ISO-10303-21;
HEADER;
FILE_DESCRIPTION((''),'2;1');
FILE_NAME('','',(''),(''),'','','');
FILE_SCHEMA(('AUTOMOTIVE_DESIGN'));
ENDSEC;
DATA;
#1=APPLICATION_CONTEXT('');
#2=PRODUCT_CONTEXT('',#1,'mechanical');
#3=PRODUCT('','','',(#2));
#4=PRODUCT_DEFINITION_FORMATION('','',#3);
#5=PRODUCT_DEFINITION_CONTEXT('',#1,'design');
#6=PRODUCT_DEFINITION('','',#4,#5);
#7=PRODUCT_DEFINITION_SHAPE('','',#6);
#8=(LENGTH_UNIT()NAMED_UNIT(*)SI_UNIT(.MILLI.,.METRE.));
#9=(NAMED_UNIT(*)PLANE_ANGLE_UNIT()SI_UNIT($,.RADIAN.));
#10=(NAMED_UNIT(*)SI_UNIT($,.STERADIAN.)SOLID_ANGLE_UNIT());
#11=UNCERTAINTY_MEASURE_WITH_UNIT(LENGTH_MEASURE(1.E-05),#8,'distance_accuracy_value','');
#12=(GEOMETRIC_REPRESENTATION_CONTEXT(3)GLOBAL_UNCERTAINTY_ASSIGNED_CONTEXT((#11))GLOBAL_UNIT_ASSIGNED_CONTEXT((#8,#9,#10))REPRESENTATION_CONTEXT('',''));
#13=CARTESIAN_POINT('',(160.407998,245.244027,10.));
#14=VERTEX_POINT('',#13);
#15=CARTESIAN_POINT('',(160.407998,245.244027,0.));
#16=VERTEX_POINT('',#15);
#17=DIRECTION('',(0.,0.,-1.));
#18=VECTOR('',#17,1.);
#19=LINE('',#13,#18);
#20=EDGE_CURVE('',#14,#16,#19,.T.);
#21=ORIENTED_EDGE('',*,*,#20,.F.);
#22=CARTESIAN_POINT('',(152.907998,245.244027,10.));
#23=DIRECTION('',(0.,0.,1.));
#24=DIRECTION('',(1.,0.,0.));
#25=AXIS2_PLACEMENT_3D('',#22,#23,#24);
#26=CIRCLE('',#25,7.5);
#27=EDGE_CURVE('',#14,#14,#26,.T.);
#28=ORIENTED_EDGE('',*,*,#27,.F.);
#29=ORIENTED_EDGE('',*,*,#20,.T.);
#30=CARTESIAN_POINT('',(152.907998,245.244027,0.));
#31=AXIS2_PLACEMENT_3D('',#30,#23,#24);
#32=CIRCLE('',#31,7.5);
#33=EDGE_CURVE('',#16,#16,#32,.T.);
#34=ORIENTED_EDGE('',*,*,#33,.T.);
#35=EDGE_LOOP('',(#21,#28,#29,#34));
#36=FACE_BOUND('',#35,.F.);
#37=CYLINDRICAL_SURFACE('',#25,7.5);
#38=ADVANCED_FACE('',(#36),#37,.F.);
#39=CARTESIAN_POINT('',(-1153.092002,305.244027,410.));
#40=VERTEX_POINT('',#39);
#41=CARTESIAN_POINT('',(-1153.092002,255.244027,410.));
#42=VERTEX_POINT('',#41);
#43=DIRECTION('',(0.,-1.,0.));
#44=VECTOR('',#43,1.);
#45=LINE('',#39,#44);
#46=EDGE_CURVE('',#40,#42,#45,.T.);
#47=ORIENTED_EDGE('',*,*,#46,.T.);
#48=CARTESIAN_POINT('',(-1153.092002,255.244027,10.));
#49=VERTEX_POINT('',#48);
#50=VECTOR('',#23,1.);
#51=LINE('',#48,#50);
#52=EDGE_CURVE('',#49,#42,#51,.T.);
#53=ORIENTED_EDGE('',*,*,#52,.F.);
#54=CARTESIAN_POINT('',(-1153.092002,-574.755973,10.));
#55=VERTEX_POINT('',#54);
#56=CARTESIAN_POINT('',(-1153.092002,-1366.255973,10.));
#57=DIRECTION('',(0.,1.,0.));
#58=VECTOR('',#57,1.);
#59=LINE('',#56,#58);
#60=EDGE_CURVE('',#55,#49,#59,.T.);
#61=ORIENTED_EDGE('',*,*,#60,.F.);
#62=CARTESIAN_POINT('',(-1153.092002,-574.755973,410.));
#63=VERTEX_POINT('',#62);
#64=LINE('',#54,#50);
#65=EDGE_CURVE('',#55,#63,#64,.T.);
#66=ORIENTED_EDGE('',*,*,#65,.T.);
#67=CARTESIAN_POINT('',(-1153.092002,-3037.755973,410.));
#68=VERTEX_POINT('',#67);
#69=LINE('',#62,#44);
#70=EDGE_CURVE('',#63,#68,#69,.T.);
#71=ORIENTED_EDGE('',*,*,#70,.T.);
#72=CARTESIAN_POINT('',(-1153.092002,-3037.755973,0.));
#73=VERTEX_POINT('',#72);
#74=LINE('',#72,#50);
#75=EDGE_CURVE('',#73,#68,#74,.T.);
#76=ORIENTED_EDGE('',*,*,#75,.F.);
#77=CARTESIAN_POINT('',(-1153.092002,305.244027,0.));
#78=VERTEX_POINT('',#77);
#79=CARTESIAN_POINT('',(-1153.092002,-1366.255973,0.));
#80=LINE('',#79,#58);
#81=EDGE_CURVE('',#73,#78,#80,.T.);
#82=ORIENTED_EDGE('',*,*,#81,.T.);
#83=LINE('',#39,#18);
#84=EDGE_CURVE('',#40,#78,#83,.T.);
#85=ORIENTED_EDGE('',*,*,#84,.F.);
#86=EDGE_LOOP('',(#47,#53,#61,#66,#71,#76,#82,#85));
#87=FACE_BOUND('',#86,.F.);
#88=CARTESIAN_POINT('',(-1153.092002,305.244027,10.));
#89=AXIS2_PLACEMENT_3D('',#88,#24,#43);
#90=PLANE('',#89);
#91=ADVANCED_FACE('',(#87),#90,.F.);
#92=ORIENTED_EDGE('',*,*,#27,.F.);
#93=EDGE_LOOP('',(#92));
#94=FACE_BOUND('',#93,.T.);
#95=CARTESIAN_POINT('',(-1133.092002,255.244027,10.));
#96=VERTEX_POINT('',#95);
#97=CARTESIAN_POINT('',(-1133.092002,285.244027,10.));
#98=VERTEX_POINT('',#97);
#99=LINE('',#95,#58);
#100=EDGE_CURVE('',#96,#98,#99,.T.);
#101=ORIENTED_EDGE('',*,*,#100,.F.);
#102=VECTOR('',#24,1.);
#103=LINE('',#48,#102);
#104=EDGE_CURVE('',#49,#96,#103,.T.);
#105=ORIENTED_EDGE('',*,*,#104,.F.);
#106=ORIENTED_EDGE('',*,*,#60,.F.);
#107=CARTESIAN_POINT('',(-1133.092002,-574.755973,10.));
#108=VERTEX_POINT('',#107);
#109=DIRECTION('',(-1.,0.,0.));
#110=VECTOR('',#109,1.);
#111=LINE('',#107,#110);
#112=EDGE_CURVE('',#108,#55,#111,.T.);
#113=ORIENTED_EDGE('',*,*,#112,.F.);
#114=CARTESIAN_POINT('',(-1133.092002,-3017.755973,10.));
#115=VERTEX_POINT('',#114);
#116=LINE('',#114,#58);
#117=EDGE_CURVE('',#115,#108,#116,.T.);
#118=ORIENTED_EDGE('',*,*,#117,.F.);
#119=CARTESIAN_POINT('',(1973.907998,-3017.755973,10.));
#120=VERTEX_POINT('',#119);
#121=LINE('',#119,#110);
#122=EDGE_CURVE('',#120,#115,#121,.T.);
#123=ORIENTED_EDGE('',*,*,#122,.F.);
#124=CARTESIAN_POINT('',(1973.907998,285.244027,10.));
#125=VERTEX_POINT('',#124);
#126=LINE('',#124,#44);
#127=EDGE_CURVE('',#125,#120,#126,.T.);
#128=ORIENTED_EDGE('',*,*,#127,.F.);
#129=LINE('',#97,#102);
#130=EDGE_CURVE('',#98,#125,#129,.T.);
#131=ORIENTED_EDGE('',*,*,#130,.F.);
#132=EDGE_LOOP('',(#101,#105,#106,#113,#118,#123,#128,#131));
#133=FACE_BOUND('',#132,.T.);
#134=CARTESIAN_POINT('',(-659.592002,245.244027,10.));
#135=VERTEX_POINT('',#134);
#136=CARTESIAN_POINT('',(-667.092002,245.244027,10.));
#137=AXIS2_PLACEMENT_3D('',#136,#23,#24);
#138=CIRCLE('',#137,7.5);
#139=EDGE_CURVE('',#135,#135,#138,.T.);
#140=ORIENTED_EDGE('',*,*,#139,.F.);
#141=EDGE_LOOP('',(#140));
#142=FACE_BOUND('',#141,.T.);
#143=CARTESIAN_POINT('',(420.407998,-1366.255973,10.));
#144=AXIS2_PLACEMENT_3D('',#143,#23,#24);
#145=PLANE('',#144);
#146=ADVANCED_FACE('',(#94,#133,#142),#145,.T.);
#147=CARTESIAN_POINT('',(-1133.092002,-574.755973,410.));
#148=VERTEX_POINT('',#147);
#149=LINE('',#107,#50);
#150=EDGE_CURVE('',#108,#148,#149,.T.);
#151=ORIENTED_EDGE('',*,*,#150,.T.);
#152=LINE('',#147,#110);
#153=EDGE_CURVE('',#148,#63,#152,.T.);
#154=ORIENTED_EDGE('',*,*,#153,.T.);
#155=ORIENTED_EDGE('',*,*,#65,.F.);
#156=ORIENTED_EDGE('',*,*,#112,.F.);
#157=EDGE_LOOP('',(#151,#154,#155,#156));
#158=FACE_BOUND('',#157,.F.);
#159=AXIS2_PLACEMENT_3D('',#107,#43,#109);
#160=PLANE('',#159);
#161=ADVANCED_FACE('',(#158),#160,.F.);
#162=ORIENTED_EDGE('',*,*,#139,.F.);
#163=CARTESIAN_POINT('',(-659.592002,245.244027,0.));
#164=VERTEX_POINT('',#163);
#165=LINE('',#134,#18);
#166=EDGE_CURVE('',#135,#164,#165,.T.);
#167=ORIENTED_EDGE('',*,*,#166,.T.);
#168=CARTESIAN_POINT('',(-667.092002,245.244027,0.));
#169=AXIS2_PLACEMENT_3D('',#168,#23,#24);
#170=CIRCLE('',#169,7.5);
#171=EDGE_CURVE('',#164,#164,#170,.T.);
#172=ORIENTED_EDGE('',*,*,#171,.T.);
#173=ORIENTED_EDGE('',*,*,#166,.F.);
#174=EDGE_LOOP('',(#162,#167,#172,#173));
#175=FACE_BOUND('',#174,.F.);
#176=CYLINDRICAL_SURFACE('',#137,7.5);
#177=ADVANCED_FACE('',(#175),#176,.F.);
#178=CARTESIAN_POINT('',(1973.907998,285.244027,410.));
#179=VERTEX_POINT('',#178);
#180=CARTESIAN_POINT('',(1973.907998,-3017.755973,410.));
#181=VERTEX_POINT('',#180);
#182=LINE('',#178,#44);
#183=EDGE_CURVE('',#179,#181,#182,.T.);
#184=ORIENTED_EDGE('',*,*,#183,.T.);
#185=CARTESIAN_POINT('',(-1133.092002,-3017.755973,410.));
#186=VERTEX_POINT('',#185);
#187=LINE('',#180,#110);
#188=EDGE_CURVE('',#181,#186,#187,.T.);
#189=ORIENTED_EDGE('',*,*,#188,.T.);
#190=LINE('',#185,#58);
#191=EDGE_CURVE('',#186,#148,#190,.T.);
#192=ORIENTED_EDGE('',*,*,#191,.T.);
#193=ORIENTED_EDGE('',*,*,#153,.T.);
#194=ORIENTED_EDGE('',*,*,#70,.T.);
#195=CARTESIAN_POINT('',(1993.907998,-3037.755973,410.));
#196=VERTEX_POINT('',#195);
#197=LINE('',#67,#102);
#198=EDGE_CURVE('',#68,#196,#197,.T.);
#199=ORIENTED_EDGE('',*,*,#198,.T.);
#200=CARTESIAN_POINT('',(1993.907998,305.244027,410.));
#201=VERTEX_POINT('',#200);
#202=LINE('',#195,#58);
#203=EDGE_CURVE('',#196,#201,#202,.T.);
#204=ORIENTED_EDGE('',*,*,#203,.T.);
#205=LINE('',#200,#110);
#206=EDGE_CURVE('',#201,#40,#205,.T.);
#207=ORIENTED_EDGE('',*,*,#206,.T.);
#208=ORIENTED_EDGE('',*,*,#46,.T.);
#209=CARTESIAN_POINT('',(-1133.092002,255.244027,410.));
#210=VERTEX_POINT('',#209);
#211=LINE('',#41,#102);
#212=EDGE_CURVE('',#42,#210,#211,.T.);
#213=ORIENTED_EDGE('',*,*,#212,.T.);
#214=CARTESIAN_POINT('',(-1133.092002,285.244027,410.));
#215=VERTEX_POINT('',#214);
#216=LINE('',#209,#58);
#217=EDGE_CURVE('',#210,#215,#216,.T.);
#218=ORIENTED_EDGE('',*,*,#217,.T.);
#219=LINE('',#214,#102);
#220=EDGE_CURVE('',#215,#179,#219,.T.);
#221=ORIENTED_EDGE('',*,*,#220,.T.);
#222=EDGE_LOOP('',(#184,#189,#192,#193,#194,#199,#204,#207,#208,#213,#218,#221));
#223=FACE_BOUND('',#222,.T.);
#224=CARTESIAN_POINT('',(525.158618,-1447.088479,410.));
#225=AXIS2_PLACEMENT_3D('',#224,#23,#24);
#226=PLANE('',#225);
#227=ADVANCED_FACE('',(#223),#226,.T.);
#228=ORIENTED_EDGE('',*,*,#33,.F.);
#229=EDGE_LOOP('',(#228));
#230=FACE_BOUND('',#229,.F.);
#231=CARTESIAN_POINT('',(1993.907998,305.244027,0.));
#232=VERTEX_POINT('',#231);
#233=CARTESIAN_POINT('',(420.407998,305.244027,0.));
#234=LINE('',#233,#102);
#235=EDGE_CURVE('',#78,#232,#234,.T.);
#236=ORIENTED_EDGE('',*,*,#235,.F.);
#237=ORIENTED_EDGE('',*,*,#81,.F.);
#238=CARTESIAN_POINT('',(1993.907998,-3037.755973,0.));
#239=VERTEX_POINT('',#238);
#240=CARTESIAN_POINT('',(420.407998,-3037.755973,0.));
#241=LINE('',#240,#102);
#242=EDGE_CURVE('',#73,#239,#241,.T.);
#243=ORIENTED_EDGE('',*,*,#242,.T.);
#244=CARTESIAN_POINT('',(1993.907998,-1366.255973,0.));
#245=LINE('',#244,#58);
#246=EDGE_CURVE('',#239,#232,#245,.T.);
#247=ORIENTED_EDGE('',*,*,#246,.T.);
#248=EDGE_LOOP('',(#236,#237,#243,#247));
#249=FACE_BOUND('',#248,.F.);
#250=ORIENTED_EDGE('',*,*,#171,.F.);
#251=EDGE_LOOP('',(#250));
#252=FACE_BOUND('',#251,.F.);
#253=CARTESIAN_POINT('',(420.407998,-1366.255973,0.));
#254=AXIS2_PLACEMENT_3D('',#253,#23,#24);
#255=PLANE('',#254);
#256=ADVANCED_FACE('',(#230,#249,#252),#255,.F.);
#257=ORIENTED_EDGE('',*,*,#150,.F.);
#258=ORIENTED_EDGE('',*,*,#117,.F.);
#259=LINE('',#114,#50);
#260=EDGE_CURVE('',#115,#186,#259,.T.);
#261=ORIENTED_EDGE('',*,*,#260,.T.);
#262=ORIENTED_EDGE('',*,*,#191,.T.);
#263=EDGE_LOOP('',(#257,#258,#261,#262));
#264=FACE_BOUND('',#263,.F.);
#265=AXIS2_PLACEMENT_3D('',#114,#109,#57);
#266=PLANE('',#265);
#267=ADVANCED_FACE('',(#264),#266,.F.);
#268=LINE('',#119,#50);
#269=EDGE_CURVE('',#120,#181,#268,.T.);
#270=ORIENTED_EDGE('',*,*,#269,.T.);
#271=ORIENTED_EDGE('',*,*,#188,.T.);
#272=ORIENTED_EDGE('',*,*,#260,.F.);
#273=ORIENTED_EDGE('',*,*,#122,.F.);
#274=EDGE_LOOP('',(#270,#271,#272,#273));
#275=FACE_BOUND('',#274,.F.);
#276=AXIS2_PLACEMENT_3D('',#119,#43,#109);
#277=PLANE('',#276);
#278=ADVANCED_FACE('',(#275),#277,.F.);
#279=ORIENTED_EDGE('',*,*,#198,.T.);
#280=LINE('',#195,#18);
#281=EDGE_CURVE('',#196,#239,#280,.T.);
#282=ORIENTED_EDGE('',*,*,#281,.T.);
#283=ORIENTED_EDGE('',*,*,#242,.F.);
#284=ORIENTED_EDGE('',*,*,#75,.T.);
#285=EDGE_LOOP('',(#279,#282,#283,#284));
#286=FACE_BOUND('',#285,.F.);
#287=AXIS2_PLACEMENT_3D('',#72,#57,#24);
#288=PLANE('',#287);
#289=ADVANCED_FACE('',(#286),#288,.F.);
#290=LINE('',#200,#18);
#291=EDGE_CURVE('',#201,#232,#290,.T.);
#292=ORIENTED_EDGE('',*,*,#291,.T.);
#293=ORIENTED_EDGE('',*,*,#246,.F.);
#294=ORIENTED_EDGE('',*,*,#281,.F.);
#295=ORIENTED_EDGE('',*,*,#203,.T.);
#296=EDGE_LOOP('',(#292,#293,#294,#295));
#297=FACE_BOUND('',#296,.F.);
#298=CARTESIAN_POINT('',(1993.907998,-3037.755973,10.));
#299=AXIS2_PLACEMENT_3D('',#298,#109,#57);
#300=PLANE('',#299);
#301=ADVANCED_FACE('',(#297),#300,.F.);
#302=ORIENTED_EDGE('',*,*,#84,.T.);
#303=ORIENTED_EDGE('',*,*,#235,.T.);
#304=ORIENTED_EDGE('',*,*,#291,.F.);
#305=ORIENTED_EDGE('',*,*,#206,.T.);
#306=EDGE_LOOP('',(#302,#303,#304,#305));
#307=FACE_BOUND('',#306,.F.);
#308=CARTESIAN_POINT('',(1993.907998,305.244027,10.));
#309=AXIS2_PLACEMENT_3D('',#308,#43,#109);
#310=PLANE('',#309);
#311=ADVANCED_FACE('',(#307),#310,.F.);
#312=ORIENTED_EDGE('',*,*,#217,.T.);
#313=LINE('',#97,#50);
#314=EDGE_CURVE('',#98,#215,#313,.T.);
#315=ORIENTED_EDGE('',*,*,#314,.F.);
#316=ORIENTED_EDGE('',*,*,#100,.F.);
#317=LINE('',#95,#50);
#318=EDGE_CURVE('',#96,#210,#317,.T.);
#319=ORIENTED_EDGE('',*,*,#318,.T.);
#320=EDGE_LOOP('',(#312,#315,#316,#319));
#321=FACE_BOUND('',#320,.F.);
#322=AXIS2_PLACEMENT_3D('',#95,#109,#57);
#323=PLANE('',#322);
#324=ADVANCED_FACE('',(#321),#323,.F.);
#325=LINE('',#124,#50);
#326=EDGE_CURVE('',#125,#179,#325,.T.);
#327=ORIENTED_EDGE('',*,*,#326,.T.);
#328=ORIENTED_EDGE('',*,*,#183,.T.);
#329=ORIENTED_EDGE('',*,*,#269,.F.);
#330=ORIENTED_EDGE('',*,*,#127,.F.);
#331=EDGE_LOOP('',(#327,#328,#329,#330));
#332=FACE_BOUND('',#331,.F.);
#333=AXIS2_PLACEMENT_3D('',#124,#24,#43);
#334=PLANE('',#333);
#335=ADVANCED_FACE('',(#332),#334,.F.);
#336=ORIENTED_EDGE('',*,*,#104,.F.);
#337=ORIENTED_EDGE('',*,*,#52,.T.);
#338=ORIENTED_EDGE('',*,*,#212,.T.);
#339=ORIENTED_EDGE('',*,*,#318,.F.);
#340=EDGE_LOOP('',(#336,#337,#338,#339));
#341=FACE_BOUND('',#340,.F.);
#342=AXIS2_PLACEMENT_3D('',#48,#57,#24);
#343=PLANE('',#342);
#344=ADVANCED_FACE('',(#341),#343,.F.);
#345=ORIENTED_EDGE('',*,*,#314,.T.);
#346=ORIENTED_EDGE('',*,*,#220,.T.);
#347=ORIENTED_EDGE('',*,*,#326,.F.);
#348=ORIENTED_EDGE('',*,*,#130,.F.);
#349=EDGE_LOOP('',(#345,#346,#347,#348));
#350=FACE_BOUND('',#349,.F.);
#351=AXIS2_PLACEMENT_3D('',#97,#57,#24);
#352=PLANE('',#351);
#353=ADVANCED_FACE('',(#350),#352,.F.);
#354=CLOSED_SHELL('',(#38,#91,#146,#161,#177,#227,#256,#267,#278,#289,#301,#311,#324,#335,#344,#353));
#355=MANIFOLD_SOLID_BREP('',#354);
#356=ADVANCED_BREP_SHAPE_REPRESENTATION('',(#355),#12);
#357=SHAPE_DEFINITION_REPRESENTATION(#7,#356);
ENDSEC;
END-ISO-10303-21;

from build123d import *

# Parameters (mm, degrees)
F0_W     = 3147
F0_H     = 3343
F1_DEPTH = 10
F3_DEPTH = 400
F4_R     = 7.5
F5_DEPTH = 25


with BuildPart() as f1:
    # F0 (on Top) → F1 (new body)
    with BuildSketch(Plane.XY):
        with Locations((420.407998, -1366.255973)):
            Rectangle(F0_W, F0_H)
    extrude(amount=F1_DEPTH)

    # F2 (on face) → F3 (join)
    with BuildSketch(Plane.XY.offset(10)):
        Polygon((-1153.092002, 305.244027), (-1153.092002, 255.244027), (-1133.092002, 255.244027), (-1133.092002, 285.244027), (1973.907998, 285.244027), (1973.907998, -3017.755973), (-1133.092002, -3017.755973), (-1133.092002, -574.755973), (-1153.092002, -574.755973), (-1153.092002, -3037.755973), (1993.907998, -3037.755973), (1993.907998, 305.244027), align=None)
    extrude(amount=F3_DEPTH)

    # F4 (on face) → F5 (cut)
    with BuildSketch(Plane.XY.offset(10)):
        with Locations((-667.092002, 245.244027)):
            Circle(F4_R)
        with Locations((152.907998, 245.244027)):
            Circle(F4_R)
    extrude(amount=-F5_DEPTH, mode=Mode.SUBTRACT)


solid = f1.part
